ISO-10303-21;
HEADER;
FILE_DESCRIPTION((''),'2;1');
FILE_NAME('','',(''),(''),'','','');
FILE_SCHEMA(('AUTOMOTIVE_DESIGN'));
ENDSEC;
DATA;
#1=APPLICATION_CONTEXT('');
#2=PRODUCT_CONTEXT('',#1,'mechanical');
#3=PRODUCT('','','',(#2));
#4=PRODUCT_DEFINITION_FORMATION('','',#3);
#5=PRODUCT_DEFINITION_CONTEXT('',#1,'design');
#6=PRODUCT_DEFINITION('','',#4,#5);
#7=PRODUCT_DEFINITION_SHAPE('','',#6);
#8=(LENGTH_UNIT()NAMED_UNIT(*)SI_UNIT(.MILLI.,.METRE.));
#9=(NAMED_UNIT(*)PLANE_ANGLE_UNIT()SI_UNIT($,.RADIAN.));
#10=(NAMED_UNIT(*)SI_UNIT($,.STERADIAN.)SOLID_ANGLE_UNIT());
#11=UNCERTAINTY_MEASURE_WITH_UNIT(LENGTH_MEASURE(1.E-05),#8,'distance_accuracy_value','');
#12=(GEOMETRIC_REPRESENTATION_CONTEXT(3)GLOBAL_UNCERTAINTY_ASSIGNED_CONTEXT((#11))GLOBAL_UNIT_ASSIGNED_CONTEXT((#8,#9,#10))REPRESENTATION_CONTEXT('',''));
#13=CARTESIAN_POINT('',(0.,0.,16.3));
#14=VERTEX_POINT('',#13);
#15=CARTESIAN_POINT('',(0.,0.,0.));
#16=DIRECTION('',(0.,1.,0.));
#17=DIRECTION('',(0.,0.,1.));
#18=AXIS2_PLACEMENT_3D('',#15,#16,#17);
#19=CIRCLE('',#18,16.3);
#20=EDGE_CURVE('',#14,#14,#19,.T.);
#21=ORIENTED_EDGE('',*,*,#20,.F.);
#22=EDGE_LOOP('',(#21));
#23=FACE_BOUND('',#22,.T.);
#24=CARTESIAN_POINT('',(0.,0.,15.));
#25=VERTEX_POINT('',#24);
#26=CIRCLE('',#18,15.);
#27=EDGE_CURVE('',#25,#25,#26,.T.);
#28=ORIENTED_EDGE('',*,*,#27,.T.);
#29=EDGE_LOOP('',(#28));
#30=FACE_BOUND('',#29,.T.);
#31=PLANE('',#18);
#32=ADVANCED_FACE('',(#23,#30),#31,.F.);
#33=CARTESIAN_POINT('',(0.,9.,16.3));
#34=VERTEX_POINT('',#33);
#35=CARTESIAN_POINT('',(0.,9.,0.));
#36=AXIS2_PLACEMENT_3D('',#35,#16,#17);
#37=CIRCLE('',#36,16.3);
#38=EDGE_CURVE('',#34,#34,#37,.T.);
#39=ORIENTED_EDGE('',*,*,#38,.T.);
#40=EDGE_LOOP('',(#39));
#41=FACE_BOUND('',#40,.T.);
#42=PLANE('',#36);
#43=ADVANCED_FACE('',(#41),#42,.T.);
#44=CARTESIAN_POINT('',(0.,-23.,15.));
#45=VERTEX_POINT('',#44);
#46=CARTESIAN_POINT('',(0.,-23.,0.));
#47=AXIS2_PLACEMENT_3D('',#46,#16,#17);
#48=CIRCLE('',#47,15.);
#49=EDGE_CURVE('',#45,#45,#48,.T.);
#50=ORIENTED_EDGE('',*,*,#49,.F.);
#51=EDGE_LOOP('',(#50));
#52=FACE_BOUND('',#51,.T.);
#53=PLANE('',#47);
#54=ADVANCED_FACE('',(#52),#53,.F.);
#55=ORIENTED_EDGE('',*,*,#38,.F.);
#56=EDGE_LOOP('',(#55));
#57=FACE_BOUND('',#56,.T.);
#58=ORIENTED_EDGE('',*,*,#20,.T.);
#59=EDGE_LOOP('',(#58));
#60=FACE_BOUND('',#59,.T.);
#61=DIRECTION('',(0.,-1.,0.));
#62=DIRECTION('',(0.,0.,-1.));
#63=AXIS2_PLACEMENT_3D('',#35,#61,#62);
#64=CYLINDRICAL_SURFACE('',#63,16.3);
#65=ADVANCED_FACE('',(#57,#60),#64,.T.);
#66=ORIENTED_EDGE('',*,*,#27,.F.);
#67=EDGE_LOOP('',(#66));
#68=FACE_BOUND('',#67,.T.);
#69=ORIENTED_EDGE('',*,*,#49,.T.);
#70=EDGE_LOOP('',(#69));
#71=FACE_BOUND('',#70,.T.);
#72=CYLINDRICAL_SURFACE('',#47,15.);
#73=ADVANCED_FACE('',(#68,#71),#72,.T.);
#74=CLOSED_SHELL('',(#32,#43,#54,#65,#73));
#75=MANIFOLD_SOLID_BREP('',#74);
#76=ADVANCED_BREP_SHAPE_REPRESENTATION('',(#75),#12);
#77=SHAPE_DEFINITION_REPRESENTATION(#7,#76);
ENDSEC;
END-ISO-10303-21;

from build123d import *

# Parameters (mm, degrees)
SKETCH_1_R        = 16.3
EXTRUDE_212_DEPTH = 9
SKETCH_2_R        = 15
EXTRUDE_2_DEPTH   = 23


with BuildPart() as part:
    # 草图1 → Extrude 212 (new body)
    with BuildSketch(Plane(origin=(0, 0, 0), x_dir=(1, 0, 0), z_dir=(0, 1, 0))):
        with Locations(Location((0, 0, 0), (0, 0, 270))):
            Circle(SKETCH_1_R)
    extrude(amount=EXTRUDE_212_DEPTH)

    # 草图2 → 凸台-拉伸2 (add)
    with BuildSketch(Plane(origin=(0, 0, 0), x_dir=(1, 0, 0), z_dir=(0, 1, 0))):
        with Locations(Location((0, 0, 0), (0, 0, 270))):
            Circle(SKETCH_2_R)
    extrude(amount=-EXTRUDE_2_DEPTH)


solid = part.part
